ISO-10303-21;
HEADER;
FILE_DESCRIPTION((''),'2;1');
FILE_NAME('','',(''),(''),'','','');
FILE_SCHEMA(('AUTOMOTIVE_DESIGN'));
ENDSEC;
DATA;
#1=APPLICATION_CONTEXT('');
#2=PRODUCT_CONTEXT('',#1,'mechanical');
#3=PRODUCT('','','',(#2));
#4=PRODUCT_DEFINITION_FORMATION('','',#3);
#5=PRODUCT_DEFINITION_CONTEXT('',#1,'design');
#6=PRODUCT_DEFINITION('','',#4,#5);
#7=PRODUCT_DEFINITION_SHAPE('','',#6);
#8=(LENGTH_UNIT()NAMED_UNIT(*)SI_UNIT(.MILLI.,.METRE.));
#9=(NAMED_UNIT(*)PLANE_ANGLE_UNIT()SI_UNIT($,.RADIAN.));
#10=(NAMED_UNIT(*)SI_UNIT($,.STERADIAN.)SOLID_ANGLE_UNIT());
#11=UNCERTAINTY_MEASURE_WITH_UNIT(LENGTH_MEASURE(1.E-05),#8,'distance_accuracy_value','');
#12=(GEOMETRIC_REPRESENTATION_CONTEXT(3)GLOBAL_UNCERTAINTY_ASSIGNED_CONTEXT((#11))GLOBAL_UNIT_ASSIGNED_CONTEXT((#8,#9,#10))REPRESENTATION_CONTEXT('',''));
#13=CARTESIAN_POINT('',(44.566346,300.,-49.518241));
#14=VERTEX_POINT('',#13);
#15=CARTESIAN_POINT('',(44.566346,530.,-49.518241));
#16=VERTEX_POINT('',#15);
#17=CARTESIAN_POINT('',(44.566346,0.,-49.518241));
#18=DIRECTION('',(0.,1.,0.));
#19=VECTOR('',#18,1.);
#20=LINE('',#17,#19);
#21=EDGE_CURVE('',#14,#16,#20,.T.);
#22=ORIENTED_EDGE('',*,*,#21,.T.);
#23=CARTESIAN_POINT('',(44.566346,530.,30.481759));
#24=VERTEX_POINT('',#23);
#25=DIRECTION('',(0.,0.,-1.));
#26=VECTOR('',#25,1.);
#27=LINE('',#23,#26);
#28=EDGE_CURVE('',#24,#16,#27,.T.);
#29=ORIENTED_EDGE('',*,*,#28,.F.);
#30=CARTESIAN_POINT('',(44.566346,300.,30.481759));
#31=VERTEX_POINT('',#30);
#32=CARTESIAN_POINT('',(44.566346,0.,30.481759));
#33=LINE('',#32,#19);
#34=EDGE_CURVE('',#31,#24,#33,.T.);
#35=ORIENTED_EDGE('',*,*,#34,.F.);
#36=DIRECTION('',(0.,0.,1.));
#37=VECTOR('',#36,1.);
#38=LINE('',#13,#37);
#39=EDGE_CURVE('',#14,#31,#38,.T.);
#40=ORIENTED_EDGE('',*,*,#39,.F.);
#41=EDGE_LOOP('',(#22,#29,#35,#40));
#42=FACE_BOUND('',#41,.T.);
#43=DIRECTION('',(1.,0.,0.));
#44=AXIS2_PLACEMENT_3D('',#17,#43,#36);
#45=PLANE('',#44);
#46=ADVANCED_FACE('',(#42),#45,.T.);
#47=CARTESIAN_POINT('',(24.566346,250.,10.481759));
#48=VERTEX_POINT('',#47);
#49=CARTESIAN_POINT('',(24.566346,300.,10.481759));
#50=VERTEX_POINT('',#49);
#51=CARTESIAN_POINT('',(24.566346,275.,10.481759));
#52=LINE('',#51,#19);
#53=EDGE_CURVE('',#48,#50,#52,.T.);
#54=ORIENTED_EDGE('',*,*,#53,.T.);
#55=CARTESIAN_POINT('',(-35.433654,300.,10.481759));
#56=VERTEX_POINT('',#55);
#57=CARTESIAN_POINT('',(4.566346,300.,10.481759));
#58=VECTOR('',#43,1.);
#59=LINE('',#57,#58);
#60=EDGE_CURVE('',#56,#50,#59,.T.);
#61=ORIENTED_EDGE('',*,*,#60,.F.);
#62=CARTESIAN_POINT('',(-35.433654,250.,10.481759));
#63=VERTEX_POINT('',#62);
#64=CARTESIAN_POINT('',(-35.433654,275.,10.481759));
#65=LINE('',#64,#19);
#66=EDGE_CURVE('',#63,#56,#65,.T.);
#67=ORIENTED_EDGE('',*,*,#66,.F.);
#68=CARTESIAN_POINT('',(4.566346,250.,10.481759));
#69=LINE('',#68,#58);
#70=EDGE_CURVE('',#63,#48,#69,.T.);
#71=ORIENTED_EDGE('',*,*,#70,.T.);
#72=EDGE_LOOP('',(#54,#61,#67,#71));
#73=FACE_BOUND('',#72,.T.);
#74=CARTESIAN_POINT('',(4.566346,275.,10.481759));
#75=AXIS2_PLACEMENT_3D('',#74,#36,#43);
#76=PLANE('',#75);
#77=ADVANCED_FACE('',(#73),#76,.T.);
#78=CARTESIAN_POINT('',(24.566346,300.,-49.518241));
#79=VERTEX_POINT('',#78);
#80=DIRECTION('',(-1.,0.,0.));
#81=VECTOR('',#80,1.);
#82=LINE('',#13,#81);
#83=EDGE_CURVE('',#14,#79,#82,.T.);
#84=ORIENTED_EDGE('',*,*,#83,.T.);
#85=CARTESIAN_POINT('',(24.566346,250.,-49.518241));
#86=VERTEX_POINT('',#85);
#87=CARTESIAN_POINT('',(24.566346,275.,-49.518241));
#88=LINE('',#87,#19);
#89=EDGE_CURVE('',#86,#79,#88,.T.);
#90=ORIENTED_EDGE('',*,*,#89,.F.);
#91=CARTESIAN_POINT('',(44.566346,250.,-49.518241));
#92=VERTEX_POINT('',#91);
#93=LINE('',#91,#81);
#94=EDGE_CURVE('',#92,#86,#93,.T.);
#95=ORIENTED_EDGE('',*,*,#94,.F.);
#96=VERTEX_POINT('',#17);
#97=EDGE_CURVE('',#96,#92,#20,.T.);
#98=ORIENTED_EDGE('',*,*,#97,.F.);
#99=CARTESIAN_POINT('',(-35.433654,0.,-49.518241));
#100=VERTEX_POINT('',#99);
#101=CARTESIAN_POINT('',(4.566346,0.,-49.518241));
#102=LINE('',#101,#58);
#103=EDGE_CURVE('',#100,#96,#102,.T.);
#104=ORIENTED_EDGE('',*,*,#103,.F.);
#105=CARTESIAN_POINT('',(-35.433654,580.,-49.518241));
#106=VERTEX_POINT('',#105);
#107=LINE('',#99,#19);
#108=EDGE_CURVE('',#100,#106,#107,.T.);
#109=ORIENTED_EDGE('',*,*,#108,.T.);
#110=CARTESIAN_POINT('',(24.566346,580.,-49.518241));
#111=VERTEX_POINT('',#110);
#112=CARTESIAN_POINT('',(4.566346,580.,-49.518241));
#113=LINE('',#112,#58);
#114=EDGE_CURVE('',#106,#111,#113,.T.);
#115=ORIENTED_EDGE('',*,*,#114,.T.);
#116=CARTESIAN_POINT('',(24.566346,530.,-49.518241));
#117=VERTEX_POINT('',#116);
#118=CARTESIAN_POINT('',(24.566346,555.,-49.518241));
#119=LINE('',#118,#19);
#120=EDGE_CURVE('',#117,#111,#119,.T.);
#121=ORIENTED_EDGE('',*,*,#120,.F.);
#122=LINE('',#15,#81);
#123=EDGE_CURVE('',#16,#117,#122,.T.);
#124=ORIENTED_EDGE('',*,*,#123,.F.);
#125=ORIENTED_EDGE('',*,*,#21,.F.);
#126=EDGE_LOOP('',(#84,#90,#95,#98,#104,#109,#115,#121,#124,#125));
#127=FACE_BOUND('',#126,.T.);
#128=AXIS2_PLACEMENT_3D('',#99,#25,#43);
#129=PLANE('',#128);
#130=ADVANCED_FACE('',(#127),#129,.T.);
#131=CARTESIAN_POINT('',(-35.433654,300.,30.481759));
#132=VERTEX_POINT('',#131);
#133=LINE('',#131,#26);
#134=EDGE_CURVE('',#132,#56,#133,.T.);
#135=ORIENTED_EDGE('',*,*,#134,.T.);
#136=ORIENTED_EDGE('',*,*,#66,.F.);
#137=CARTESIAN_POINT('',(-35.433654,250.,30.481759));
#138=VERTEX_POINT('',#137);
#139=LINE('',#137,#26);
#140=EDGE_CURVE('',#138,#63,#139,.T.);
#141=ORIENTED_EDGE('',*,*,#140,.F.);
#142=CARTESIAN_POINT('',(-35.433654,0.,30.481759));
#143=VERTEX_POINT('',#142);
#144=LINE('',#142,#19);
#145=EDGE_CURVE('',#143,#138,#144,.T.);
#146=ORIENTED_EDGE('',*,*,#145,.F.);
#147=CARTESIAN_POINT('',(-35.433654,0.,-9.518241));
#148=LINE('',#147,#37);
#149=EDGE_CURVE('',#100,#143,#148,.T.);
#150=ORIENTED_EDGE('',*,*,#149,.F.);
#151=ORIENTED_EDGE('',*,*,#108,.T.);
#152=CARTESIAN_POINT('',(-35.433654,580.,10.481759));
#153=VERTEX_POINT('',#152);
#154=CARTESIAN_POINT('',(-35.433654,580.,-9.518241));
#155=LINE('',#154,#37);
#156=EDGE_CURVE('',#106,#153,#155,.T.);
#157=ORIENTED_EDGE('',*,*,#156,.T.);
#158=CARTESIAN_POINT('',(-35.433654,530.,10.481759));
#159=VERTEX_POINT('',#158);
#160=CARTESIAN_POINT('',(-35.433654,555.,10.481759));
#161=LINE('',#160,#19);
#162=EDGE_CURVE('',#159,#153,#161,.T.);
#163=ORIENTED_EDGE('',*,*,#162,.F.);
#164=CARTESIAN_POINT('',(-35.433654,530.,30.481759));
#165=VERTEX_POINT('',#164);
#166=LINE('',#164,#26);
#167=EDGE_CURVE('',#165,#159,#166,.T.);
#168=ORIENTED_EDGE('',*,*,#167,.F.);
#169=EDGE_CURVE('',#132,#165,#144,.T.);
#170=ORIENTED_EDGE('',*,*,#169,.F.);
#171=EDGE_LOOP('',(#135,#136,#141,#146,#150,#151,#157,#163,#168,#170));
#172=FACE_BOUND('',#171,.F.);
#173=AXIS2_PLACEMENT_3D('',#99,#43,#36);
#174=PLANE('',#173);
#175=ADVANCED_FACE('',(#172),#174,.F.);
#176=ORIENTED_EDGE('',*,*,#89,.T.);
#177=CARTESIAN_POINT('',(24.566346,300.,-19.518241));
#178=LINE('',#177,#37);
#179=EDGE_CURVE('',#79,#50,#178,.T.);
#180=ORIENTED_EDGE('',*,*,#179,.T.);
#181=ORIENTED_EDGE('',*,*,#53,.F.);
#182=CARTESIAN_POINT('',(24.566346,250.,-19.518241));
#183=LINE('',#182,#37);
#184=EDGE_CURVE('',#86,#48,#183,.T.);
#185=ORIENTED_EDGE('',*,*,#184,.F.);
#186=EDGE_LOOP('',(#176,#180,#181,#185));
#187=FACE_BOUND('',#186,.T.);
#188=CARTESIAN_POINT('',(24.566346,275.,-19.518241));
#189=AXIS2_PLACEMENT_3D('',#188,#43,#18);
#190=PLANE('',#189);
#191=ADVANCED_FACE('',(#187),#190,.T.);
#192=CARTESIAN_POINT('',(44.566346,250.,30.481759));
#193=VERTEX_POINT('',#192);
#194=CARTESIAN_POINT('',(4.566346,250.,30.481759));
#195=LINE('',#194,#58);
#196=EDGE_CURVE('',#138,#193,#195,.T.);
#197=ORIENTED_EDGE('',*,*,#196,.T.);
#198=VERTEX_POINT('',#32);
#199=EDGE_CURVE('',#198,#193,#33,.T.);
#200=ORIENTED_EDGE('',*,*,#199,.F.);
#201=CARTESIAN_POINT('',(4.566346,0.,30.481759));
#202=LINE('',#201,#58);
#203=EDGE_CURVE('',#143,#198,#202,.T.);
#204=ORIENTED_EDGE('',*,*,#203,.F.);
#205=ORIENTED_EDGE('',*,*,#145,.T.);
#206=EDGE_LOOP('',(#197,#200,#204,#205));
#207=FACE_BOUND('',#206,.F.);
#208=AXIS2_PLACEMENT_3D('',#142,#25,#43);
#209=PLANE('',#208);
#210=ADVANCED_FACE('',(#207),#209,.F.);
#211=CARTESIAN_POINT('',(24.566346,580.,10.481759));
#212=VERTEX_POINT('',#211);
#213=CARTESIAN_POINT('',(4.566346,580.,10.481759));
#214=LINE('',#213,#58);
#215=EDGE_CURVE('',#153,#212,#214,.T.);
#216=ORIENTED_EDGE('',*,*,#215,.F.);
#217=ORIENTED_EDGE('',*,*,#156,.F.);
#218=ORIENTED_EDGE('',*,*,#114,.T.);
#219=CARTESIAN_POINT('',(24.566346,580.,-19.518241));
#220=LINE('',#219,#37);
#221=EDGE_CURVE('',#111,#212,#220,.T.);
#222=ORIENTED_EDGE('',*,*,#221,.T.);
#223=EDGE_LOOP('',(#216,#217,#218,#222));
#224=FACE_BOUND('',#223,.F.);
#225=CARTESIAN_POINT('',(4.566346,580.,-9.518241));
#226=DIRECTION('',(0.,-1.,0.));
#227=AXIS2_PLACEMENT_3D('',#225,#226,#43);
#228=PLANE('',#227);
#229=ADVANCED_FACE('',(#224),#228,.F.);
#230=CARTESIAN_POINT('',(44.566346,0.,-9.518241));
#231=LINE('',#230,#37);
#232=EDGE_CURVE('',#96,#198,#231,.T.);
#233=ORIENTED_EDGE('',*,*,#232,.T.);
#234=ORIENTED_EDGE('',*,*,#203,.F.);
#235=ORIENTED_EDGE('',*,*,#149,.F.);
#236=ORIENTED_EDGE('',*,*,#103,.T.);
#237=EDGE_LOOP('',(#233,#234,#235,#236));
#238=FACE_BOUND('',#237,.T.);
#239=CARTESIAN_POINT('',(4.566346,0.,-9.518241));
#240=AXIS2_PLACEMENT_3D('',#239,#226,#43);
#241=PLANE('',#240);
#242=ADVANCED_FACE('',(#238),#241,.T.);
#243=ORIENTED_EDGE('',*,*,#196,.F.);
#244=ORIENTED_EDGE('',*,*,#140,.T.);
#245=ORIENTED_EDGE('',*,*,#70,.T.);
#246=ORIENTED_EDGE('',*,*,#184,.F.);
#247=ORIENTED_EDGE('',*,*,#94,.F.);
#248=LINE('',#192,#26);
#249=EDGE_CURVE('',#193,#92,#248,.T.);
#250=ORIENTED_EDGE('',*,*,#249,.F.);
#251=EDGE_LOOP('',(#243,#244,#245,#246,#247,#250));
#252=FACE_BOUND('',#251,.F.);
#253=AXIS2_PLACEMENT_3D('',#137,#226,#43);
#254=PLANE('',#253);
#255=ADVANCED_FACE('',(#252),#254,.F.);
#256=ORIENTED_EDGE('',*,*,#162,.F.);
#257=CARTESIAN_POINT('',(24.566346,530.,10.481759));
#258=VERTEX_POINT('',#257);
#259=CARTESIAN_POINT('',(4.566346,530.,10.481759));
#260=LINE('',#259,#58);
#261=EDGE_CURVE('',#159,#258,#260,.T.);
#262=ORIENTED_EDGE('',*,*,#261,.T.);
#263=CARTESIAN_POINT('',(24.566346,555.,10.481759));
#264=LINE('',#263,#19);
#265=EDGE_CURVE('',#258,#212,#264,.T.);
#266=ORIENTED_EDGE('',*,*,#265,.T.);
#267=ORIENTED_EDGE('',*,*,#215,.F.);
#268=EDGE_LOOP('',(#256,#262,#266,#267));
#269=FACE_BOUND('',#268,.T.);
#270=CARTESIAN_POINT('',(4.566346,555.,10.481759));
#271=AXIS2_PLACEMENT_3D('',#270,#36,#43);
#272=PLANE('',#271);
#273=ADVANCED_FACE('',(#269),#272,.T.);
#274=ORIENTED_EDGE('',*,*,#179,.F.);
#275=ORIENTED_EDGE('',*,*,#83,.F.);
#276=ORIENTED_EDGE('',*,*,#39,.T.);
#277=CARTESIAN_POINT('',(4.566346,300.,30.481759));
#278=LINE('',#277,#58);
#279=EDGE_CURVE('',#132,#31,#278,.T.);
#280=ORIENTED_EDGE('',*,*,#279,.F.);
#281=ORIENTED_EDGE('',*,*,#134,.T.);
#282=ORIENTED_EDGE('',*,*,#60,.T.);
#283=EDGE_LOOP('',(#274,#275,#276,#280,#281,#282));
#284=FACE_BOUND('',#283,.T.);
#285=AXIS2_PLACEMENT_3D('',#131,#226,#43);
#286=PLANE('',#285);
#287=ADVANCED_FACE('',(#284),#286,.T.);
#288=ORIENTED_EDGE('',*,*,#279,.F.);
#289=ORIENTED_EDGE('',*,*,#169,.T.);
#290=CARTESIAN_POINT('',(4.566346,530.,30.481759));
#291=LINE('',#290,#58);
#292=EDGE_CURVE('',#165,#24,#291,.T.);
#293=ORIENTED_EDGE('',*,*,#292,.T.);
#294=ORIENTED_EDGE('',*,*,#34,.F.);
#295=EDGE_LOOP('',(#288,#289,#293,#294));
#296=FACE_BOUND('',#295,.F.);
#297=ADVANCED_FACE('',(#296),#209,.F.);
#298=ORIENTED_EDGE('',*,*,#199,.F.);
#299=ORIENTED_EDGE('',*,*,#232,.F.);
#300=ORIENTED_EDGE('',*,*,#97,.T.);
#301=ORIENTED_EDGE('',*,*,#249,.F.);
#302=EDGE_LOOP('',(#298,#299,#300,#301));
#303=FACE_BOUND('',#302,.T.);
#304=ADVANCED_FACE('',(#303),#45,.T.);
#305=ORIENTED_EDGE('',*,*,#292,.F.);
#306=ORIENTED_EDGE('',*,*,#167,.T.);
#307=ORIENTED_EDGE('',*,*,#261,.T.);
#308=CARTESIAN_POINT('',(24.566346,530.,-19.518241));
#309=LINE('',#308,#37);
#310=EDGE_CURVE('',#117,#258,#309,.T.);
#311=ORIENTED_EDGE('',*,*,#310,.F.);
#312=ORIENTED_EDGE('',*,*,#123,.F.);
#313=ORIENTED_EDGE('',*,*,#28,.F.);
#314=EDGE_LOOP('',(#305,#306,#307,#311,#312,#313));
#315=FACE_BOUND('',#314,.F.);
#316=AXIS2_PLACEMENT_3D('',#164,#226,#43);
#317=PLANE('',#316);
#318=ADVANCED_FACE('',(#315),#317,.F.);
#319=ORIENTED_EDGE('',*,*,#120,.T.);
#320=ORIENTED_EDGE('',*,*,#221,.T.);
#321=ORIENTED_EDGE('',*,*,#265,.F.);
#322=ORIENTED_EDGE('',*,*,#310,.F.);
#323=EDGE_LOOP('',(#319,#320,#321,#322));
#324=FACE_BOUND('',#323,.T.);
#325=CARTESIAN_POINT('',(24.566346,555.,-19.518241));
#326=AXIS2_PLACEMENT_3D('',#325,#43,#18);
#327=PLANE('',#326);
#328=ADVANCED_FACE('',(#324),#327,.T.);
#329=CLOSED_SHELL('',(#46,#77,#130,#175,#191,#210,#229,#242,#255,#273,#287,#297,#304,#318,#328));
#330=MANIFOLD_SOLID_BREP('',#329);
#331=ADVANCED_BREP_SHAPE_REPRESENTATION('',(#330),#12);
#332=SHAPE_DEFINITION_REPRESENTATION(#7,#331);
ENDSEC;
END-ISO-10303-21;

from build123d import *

# Parameters (mm, degrees)
F0_W     = 80
F0_H     = 80
F1_DEPTH = 580
F2_W     = 80
F2_H     = 50
F3_DEPTH = 20
F4_W     = 50
F4_H     = 60
F5_DEPTH = 20
F6_W     = 80
F6_H     = 50
F7_DEPTH = 20
F8_W     = 50
F8_H     = 60
F9_DEPTH = 20


with BuildPart() as f1:
    # F0 (on Front) → F1 (new body)
    with BuildSketch(Plane.XZ):
        with Locations((4.566346, -9.518241)):
            Rectangle(F0_W, F0_H)
    extrude(amount=-F1_DEPTH)

    # F2 (on face) → F3 (cut)
    with BuildSketch(Plane.XY.offset(30.481759)):
        with Locations((4.566346, 275)):
            Rectangle(F2_W, F2_H)
    extrude(amount=-F3_DEPTH, mode=Mode.SUBTRACT)

    # F4 (on face) → F5 (cut)
    with BuildSketch(Plane.YZ.offset(44.566346)):
        with Locations((275, -19.518241)):
            Rectangle(F4_W, F4_H)
    extrude(amount=-F5_DEPTH, mode=Mode.SUBTRACT)

    # F6 (on face) → F7 (cut)
    with BuildSketch(Plane.XY.offset(30.481759)):
        with Locations((4.566346, 555)):
            Rectangle(F6_W, F6_H)
    extrude(amount=-F7_DEPTH, mode=Mode.SUBTRACT)

    # F8 (on face) → F9 (cut)
    with BuildSketch(Plane.YZ.offset(44.566346)):
        with Locations((555, -19.518241)):
            Rectangle(F8_W, F8_H)
    extrude(amount=-F9_DEPTH, mode=Mode.SUBTRACT)


solid = f1.part
